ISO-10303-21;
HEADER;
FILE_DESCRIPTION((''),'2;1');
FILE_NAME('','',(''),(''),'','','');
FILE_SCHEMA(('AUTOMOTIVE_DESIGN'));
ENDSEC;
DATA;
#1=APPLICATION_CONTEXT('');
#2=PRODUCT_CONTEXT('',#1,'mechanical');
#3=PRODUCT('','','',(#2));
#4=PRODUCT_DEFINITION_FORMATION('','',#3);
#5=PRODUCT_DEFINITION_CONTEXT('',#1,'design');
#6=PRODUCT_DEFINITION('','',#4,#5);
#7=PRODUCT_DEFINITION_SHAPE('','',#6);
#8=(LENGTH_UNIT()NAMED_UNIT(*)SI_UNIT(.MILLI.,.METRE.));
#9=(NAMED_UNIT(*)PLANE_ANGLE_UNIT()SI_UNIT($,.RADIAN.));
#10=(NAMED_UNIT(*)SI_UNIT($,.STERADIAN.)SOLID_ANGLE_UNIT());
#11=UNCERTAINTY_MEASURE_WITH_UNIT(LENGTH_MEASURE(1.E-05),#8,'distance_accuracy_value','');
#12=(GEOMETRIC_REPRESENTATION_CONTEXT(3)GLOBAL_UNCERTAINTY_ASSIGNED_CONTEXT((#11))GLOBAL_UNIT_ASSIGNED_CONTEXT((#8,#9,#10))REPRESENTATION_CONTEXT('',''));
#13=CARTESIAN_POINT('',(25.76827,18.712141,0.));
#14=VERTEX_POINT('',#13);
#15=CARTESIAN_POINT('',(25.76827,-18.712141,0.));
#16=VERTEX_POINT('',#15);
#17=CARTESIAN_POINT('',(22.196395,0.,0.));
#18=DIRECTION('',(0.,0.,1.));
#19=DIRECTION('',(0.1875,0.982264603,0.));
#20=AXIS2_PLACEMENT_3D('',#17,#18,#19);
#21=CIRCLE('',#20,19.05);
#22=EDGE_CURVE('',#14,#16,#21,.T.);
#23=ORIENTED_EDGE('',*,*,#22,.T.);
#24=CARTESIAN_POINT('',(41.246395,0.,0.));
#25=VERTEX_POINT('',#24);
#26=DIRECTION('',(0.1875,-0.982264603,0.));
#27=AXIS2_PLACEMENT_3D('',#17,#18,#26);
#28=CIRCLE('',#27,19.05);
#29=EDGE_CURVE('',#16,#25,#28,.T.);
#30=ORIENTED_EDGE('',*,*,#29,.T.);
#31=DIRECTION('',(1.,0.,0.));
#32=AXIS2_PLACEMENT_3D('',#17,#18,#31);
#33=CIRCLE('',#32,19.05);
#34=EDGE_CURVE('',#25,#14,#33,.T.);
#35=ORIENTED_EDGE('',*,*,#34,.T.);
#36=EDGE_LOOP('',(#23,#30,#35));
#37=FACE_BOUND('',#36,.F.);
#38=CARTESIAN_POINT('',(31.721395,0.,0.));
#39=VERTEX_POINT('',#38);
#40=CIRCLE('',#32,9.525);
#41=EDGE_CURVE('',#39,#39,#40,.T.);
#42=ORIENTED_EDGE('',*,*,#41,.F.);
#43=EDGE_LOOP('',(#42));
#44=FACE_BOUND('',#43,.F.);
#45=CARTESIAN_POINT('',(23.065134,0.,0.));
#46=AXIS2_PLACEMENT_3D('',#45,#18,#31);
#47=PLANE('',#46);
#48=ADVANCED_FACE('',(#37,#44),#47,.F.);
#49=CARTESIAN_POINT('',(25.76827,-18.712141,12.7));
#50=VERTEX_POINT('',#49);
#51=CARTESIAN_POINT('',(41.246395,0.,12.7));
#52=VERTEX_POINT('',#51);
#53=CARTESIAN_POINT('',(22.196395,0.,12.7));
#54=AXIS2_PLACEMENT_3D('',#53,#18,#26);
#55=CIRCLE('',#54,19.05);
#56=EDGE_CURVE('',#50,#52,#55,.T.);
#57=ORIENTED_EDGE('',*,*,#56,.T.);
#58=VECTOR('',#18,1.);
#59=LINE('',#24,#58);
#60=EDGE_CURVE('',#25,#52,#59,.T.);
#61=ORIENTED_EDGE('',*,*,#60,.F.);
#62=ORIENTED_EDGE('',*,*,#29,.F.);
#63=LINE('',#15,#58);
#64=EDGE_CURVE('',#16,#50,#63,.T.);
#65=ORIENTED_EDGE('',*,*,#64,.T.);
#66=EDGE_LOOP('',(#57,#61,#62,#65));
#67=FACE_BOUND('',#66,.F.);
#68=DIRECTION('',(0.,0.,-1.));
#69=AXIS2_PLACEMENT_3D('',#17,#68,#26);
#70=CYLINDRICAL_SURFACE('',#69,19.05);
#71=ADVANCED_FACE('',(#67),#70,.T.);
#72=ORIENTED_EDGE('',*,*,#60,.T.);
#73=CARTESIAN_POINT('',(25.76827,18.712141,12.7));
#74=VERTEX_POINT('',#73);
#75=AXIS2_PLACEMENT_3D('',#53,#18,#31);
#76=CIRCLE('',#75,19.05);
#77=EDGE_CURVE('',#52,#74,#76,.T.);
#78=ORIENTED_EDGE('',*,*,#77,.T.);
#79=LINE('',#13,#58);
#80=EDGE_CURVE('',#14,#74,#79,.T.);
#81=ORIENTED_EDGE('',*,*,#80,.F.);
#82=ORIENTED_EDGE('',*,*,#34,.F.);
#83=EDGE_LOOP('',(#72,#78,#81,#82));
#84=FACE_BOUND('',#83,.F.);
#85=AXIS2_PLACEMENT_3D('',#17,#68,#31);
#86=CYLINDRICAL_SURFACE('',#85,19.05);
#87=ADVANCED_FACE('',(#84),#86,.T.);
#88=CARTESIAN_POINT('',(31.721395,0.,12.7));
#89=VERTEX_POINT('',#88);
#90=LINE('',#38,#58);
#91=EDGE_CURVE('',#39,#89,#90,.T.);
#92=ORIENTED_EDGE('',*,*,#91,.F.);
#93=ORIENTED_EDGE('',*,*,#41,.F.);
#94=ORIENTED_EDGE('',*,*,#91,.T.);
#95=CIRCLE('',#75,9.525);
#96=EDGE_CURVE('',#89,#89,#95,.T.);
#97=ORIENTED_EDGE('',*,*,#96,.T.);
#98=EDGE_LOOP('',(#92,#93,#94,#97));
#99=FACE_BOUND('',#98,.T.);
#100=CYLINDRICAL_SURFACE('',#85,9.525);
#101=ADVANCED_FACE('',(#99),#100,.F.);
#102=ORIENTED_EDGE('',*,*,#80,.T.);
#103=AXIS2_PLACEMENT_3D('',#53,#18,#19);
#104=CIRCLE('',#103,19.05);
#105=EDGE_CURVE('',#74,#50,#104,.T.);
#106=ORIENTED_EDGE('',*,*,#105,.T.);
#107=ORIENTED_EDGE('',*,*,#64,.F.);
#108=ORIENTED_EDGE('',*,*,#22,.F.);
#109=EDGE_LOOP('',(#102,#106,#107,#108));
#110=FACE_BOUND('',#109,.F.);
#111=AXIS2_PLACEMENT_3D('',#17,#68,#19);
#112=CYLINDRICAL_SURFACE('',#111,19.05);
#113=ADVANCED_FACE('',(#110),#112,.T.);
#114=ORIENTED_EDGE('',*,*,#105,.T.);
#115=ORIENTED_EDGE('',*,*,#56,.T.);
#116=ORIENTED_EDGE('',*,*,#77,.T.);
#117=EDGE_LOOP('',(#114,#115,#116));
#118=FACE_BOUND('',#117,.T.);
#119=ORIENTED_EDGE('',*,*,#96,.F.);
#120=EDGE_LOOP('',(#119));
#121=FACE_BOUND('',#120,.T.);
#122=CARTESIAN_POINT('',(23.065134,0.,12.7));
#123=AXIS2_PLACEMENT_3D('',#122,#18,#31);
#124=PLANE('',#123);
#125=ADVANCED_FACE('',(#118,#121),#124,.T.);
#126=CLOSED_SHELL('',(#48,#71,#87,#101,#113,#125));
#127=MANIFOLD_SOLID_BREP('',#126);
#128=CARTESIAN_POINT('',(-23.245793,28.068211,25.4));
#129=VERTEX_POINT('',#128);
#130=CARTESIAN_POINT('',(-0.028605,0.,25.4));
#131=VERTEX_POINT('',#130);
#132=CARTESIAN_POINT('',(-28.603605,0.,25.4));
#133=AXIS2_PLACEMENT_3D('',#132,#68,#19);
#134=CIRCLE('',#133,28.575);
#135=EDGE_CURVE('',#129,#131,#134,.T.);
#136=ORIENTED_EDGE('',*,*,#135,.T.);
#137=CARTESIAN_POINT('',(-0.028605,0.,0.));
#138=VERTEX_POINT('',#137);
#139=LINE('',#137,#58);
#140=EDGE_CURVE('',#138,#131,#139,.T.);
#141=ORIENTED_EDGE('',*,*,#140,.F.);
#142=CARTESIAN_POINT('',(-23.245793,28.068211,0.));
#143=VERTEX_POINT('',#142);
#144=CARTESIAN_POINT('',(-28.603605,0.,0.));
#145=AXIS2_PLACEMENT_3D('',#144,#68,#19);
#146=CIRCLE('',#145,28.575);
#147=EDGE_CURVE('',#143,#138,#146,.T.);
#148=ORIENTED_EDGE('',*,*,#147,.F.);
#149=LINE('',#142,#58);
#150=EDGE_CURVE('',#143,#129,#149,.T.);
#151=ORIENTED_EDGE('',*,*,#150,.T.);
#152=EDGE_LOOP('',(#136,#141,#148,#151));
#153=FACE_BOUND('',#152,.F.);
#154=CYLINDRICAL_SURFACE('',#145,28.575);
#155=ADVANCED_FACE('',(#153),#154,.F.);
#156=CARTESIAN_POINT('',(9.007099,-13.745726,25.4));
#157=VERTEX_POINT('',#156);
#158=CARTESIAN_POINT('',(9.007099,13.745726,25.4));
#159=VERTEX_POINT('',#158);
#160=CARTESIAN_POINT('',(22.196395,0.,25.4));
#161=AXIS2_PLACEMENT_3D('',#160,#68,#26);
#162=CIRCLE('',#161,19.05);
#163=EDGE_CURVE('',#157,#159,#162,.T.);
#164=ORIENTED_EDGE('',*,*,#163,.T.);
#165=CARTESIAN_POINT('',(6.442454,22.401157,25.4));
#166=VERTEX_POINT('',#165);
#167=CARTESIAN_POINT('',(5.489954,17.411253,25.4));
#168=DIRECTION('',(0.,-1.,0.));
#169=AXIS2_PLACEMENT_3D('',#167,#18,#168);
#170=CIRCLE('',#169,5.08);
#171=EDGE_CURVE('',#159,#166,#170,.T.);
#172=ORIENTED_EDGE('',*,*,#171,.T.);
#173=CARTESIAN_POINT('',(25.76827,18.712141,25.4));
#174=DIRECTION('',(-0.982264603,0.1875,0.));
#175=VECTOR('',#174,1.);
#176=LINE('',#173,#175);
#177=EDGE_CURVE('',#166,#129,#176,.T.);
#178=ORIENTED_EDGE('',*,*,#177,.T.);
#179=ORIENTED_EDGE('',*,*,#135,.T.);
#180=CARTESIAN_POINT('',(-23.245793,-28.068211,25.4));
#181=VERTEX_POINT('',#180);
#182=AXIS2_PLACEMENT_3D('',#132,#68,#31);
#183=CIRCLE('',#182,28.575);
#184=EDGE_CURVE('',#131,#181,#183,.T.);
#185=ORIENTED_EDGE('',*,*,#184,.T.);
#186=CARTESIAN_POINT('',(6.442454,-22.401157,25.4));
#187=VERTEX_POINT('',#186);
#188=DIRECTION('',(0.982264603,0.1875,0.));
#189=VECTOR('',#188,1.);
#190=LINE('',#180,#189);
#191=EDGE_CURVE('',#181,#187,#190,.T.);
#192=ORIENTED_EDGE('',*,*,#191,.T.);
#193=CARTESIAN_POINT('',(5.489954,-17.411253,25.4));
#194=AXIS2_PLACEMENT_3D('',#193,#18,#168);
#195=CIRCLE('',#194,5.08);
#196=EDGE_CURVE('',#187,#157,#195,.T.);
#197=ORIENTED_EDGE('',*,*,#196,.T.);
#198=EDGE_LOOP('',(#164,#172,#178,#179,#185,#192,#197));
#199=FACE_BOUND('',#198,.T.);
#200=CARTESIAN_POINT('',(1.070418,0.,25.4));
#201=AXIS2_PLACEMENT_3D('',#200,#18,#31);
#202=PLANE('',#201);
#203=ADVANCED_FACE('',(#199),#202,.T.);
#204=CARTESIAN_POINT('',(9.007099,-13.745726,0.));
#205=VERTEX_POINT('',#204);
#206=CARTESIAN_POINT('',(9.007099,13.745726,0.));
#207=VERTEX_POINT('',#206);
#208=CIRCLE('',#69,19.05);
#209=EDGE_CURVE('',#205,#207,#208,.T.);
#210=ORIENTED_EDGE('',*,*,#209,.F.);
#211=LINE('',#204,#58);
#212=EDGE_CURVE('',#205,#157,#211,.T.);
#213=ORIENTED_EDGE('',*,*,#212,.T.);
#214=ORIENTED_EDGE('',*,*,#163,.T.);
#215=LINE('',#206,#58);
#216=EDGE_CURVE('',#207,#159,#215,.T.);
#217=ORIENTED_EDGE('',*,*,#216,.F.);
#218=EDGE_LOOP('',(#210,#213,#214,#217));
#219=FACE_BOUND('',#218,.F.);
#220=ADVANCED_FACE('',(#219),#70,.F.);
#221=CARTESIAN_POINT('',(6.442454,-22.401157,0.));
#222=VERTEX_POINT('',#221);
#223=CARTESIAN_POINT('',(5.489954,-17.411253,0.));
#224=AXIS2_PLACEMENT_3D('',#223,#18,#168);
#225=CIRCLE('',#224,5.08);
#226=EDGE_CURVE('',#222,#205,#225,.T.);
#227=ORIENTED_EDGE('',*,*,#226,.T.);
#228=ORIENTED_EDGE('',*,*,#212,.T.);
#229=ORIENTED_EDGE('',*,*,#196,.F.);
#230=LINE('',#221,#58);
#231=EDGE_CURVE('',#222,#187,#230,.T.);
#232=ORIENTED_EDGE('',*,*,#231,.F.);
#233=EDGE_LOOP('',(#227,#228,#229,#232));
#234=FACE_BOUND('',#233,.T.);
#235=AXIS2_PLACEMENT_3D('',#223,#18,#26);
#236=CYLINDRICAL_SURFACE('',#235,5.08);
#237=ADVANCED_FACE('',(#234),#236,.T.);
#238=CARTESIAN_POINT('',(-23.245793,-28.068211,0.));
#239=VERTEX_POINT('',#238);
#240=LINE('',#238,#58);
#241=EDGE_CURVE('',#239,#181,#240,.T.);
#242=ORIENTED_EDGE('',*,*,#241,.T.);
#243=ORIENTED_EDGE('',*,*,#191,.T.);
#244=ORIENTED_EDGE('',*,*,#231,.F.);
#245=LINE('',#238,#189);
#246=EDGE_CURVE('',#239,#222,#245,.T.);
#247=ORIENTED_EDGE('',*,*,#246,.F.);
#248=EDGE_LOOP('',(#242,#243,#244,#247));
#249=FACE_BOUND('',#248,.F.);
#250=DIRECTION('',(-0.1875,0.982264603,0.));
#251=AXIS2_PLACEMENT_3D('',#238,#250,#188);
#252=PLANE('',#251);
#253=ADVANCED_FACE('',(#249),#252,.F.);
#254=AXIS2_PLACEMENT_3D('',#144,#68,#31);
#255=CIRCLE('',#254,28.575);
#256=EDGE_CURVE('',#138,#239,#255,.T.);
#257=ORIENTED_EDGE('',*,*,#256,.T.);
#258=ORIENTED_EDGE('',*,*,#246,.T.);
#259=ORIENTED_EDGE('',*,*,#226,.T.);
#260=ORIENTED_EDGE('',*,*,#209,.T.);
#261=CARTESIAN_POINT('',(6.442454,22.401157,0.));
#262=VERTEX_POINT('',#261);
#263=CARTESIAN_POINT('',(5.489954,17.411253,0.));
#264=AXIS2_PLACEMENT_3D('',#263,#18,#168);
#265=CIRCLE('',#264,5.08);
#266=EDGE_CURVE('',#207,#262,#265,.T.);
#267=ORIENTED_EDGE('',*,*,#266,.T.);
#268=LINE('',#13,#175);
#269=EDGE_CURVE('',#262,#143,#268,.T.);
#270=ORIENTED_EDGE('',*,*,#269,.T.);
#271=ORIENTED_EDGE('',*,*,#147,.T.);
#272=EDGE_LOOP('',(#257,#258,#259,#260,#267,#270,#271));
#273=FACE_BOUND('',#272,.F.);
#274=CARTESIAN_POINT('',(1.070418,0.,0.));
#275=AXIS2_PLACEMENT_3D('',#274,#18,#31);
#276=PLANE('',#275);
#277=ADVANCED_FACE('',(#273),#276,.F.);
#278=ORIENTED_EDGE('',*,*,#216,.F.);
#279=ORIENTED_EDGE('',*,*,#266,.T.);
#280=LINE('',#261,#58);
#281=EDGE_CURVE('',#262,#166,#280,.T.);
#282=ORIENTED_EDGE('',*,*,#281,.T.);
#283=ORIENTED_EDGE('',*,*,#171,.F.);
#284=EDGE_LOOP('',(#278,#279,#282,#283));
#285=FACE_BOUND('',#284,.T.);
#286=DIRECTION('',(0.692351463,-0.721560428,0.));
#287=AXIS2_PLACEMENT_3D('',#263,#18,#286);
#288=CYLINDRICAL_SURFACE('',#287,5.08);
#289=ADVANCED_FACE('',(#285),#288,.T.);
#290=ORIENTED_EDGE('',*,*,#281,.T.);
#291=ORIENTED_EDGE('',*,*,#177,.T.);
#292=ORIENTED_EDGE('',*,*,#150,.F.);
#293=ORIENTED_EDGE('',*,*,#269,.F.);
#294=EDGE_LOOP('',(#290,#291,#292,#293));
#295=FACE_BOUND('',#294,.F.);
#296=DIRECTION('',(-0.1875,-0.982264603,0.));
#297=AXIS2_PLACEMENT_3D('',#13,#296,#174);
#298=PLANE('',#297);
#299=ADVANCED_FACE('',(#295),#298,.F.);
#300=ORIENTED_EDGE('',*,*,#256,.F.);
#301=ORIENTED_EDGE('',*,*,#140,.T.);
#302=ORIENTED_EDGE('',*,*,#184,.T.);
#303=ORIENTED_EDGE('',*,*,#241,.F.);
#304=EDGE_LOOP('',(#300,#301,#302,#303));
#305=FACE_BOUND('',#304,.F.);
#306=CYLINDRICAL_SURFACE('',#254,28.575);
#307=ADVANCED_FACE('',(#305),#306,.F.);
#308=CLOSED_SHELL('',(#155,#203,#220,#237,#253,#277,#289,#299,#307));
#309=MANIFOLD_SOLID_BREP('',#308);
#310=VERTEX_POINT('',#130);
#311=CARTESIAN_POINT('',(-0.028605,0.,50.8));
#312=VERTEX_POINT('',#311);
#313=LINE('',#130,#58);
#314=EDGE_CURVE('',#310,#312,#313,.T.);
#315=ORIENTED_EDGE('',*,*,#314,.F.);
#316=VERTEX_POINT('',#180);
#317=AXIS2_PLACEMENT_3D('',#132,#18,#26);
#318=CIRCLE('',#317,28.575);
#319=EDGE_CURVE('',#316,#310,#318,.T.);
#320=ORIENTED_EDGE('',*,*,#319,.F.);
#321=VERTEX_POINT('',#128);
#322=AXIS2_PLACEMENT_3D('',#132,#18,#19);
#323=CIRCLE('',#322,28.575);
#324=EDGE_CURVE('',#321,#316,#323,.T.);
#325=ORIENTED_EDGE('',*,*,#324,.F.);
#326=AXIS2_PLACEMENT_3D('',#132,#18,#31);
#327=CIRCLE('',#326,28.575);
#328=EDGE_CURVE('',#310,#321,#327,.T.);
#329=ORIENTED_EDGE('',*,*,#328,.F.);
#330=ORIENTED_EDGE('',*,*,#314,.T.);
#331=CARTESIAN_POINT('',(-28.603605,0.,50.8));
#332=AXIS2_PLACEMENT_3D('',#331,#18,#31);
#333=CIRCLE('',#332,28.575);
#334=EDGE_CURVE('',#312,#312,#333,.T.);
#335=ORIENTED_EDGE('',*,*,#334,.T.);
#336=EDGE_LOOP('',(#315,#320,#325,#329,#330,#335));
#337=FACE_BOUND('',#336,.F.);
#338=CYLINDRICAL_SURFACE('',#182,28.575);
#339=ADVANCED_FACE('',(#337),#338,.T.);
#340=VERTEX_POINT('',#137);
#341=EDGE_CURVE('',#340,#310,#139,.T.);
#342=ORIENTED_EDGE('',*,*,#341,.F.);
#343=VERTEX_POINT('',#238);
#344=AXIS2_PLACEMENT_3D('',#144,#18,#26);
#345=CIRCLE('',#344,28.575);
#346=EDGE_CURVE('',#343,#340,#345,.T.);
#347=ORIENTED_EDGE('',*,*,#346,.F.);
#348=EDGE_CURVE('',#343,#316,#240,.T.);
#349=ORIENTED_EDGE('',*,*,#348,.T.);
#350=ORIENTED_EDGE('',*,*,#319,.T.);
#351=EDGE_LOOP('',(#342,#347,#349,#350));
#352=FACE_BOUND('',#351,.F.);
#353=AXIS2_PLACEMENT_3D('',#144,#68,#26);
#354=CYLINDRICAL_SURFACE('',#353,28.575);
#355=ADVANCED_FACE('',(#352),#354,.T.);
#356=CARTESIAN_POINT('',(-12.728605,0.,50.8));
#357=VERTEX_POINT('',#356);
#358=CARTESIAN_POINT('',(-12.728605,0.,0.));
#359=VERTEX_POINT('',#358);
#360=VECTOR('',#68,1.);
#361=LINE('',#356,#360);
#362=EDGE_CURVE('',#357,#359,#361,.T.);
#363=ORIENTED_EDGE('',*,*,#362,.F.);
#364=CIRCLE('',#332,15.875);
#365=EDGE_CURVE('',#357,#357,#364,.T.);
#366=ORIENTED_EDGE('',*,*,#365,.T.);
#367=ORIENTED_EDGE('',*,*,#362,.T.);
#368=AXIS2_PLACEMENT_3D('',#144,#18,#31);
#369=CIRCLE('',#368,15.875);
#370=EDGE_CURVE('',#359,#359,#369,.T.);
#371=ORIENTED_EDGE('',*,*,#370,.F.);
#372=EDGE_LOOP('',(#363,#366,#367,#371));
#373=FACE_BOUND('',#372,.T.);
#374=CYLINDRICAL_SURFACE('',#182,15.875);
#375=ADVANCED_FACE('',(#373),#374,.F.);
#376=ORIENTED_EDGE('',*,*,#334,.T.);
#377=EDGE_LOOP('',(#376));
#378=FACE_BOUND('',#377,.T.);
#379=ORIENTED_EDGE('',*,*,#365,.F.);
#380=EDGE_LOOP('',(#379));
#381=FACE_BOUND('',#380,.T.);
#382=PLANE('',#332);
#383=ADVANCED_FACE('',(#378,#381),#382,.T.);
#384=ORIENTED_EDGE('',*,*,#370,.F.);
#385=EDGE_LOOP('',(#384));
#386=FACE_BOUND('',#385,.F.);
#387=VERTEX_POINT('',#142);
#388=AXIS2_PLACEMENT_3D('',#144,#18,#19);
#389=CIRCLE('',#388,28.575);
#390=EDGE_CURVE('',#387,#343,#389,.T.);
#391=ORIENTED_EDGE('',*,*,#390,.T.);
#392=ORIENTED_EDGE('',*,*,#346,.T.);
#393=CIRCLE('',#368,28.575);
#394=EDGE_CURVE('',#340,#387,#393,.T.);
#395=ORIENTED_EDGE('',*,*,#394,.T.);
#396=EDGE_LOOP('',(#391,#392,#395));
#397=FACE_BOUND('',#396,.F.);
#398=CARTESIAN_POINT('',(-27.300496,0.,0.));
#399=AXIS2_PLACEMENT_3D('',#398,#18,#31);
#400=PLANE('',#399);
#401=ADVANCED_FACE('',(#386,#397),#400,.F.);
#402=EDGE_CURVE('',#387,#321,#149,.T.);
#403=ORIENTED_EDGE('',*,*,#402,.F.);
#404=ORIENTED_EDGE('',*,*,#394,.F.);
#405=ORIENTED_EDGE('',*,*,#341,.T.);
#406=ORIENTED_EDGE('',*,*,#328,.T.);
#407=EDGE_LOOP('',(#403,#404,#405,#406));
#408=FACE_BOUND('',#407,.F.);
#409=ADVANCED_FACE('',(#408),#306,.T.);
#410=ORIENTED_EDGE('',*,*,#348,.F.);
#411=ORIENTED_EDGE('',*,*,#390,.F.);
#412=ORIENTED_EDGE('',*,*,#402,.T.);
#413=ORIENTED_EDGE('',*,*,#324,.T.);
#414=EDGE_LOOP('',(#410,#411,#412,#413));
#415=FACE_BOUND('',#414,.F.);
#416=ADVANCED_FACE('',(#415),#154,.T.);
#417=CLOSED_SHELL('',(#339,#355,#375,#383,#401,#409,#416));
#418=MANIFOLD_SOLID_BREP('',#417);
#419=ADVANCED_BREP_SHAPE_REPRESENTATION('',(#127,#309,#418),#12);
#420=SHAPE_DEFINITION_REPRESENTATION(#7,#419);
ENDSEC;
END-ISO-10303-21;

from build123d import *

# Parameters (mm, degrees)
F0_R        = 15.875
F1_DEPTH    = 25.4
F1_FACE_R   = 28.575
F1_FACE_R_2 = 15.875
F2_DEPTH    = 25.4
F0_R_2      = 9.525
F3_DEPTH    = 12.7
F4_DEPTH    = 25.4
F5_R        = 5.08


with BuildPart() as f1:
    # F0 (on Top) → F1 (new body)
    with BuildSketch(Plane.XY):
        with BuildLine():
            ThreePointArc((-23.2457928882, -28.0682110263), (-6.5850891214, -18.2130603251), (-0.0286053882, 0))
            ThreePointArc((-0.0286053882, 0), (-6.5850891214, 18.2130603251), (-23.2457928882, 28.0682110263))
            ThreePointArc((-23.2457928882, 28.0682110263), (-57.1786053882, 0), (-23.2457928882, -28.0682110263))
        make_face()
        with Locations((-28.6036053882, 0)):
            Circle(F0_R, mode=Mode.SUBTRACT)
    extrude(amount=F1_DEPTH)

    # F1_face (on face) → F2 (join)
    with BuildSketch(Plane(origin=(-28.6036053882, 0, 25.4), x_dir=(1, 0, 0), z_dir=(0, 0, 1))):
        Circle(F1_FACE_R)
        Circle(F1_FACE_R_2, mode=Mode.SUBTRACT)
    extrude(amount=F2_DEPTH)


with BuildPart() as f3:
    # F0 (on Top) → F3 (new body)
    with BuildSketch(Plane.XY):
        with BuildLine():
            ThreePointArc((41.2463946118, 0), (36.8754054564, 12.1420402167), (25.7682696118, 18.7121406842))
            ThreePointArc((25.7682696118, 18.7121406842), (3.1463946118, 0), (25.7682696118, -18.7121406842))
            ThreePointArc((25.7682696118, -18.7121406842), (36.8754054564, -12.1420402167), (41.2463946118, 0))
        make_face()
        with Locations((22.1963946118, 0)):
            Circle(F0_R_2, mode=Mode.SUBTRACT)
    extrude(amount=F3_DEPTH)


with BuildPart() as f4:
    # F0 (on Top) → F4 (new body)
    with BuildSketch(Plane.XY):
        with BuildLine():
            ThreePointArc((-23.2457928882, 28.0682110263), (-6.5850891214, 18.2130603251), (-0.0286053882, 0))
            ThreePointArc((-0.0286053882, 0), (-6.5850891214, -18.2130603251), (-23.2457928882, -28.0682110263))
            Line((-23.2457928882, -28.0682110263), (25.7682696118, -18.7121406842))
            ThreePointArc((25.7682696118, -18.7121406842), (3.1463946118, 0), (25.7682696118, 18.7121406842))
            Line((25.7682696118, 18.7121406842), (-23.2457928882, 28.0682110263))
        make_face()
    extrude(amount=F4_DEPTH)

    # F5
    f5_edges = [f4.edges().sort_by_distance(p)[0] for p in [
        (25.76827, -18.712141, 12.7),
        (25.76827, 18.712141, 12.7),
    ]]
    fillet(f5_edges, radius=F5_R)


solid = Compound([f1.part, f3.part, f4.part])
